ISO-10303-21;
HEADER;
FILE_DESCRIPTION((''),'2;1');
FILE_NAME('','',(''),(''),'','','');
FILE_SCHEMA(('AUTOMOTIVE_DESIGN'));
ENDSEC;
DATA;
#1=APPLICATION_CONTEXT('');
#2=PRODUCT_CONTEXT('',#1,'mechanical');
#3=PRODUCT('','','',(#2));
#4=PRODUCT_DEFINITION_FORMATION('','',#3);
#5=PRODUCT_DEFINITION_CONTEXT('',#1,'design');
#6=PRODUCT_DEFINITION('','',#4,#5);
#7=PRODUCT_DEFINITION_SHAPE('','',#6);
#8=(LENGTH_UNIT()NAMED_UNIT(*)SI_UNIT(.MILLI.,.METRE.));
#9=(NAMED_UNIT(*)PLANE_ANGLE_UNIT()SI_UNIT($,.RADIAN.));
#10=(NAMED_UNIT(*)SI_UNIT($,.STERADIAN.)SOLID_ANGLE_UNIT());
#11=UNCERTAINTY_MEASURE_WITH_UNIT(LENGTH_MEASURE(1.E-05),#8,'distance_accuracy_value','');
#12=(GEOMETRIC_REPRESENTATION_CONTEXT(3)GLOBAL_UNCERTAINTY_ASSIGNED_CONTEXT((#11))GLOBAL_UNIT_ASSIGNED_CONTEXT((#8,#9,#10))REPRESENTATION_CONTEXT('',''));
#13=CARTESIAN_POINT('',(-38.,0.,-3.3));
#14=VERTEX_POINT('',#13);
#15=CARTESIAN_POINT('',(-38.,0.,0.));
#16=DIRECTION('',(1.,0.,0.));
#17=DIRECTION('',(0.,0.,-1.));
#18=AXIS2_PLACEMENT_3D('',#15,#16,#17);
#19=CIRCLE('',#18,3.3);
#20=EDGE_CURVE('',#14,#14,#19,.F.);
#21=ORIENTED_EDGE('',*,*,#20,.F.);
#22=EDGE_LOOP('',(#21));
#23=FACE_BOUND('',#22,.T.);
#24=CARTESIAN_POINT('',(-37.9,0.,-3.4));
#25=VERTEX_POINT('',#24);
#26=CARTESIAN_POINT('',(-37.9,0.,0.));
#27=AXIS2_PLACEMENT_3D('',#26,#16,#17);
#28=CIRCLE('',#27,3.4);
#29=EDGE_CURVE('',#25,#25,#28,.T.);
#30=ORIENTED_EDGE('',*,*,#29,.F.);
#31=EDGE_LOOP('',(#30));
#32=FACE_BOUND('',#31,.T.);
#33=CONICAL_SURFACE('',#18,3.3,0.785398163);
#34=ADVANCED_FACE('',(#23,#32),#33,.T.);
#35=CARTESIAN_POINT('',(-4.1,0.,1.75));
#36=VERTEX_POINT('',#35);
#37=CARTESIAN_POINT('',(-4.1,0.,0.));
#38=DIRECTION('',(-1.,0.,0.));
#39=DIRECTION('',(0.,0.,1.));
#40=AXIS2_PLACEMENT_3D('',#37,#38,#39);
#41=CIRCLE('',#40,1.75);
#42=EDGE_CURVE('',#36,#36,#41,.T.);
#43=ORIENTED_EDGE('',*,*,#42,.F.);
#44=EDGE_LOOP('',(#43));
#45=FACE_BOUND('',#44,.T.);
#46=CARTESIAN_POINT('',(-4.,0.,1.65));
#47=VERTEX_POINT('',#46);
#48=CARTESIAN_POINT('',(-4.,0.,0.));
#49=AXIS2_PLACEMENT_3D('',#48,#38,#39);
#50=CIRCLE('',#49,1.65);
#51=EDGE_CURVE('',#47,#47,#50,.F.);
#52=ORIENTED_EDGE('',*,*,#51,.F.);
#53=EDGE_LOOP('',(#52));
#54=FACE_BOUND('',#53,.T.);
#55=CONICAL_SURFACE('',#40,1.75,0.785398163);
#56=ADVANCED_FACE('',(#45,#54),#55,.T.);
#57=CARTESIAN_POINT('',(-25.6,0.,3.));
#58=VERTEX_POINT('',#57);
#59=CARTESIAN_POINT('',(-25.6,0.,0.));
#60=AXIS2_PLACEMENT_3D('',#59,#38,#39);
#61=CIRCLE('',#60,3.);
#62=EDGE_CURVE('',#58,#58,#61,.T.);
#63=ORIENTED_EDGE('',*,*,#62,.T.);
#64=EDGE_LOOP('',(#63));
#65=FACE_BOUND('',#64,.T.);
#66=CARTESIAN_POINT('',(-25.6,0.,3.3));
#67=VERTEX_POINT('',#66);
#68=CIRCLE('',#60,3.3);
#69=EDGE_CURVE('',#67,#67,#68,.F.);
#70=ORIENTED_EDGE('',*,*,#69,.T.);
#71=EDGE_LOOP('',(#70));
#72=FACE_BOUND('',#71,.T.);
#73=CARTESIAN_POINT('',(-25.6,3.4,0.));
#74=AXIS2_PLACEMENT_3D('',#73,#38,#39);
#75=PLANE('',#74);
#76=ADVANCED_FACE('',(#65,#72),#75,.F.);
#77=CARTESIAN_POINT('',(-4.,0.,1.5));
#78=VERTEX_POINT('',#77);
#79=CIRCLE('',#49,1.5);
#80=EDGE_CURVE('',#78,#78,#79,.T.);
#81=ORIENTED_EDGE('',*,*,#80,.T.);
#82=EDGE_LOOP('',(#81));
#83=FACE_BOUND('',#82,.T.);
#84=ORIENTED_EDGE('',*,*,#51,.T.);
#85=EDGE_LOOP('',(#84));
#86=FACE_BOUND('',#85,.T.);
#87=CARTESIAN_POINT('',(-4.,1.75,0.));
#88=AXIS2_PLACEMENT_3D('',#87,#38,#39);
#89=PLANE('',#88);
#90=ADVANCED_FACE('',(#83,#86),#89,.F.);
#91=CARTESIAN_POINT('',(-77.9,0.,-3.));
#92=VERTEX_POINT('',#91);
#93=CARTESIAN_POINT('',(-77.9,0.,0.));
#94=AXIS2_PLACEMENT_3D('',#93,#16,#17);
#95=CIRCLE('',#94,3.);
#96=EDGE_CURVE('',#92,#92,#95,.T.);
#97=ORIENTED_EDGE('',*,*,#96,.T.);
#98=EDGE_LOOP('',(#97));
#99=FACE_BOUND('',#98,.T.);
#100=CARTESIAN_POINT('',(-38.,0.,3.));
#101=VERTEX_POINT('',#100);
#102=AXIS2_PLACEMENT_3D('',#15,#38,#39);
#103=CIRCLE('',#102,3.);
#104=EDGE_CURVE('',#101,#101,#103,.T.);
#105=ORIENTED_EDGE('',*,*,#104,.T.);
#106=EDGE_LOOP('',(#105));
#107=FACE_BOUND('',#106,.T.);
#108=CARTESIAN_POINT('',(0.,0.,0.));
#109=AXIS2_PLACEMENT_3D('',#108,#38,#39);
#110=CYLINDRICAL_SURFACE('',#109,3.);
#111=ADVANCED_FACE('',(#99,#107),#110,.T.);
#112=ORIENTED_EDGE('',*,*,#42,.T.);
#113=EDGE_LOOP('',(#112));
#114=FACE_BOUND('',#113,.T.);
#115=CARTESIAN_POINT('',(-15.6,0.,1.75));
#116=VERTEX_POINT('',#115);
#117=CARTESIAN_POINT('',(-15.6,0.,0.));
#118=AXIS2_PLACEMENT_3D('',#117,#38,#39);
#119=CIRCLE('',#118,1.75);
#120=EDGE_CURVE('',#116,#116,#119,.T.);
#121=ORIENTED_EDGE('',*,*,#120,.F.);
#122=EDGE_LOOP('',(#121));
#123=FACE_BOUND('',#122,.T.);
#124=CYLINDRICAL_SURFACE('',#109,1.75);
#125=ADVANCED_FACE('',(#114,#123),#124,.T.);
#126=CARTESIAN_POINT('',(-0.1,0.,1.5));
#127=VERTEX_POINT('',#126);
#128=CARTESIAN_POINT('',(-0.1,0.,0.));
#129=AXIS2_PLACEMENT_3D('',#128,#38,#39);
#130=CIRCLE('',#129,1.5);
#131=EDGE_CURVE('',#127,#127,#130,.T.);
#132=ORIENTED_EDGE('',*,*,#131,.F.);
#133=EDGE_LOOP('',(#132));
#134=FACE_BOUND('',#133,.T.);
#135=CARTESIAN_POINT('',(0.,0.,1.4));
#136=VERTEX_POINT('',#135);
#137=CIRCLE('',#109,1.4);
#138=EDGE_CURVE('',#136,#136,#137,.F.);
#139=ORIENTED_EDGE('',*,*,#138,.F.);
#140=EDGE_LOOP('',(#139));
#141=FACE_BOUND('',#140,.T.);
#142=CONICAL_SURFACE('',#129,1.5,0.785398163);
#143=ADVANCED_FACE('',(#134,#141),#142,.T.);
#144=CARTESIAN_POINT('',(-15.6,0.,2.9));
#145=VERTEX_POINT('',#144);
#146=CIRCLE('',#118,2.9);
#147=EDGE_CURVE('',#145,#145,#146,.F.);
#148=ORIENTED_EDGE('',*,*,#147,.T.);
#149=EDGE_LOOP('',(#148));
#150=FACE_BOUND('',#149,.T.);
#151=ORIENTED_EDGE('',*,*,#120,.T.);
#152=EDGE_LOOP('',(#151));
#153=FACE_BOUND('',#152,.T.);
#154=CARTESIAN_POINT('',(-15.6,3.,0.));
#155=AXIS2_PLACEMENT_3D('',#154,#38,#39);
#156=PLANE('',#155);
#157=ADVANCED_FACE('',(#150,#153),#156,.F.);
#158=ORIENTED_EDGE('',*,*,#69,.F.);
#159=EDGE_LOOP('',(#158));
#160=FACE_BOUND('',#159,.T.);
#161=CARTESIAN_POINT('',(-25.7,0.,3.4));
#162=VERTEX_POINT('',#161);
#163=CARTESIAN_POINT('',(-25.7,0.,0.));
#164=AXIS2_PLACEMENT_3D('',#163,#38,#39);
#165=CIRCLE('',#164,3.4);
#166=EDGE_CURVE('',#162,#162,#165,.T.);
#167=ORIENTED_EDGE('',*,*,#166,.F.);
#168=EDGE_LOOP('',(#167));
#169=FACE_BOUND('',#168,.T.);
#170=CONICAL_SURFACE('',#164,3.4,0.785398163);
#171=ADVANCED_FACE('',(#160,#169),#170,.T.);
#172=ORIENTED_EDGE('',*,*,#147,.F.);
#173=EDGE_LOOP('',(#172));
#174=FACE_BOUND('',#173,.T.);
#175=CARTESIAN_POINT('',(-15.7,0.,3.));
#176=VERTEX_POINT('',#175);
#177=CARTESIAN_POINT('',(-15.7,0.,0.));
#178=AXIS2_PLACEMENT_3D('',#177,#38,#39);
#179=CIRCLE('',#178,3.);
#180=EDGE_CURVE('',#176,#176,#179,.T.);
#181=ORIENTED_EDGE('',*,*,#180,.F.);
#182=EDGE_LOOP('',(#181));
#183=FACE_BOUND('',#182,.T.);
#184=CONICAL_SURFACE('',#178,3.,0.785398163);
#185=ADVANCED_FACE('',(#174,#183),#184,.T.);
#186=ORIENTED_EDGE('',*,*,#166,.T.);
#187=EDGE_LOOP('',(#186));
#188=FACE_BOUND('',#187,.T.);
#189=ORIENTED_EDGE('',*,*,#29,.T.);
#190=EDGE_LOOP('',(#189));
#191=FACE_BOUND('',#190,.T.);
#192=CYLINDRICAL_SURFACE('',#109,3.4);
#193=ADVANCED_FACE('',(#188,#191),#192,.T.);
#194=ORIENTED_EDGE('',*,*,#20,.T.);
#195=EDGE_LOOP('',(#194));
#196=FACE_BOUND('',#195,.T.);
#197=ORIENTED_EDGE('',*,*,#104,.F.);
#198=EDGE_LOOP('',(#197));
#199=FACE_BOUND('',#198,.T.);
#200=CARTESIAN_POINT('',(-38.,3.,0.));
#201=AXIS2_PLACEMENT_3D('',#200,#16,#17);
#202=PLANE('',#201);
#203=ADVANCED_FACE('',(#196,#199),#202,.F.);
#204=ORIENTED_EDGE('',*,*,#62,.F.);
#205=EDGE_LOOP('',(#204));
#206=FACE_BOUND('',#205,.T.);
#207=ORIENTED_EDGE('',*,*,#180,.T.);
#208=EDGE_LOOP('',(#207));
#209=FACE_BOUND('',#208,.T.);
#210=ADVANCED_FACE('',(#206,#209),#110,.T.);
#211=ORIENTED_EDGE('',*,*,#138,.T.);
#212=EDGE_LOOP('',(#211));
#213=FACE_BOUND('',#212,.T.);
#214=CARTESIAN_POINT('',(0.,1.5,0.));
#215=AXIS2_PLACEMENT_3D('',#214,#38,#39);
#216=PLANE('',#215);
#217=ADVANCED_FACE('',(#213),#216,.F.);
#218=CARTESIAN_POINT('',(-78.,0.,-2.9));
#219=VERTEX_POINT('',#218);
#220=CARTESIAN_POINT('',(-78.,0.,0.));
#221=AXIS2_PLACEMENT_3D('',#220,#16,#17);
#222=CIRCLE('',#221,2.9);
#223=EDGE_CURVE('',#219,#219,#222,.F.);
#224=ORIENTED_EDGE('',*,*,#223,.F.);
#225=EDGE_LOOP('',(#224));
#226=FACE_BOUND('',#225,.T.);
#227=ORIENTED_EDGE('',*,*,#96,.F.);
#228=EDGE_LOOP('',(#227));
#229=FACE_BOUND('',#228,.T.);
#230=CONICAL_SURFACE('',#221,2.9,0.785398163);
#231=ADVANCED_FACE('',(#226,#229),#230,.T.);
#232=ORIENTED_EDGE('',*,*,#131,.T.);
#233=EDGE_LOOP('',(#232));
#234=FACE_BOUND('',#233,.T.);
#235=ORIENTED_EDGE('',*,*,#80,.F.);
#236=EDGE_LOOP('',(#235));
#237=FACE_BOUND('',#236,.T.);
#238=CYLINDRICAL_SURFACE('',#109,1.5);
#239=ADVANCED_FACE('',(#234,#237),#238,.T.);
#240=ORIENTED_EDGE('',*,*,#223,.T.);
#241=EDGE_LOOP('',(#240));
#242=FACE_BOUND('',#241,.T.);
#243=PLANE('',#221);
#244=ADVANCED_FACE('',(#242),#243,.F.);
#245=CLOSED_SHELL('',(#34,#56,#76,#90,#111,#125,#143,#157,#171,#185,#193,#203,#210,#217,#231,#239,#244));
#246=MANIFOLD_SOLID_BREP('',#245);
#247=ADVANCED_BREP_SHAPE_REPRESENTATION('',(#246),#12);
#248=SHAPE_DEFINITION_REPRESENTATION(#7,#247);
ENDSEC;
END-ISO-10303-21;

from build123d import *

# Parameters (mm, degrees)
CHAMFER1_SIZE = 0.1


with BuildPart() as part:
    # Sketch1 → Revolve1 (revolve)
    with BuildSketch(Plane.XY, mode=Mode.PRIVATE) as revolve1_sk:
        Polygon((-25.6, 3), (-15.6, 3), (-15.6, 1.75), (-4, 1.75), (-4, 1.5), (0, 1.5), (0, 0), (-78, 0), (-78, 3), (-38, 3), (-38, 3.4), (-25.6, 3.4), align=None)
    revolve(revolve1_sk.sketch.rotate(Axis((0, 0, 0), (1, 0, 0)), 90), axis=Axis((0, 0, 0), (1, 0, 0)))

    # Chamfer1
    chamfer1_edges = [part.edges().sort_by_distance(p)[0] for p in [
        (-4, 0, -1.75),
        (-15.6, 0, -3),
        (-25.6, 0, -3.4),
        (-38, 0, -3.4),
        (-78, 0, -3),
        (0, 0, -1.5),
    ]]
    chamfer(chamfer1_edges, length=CHAMFER1_SIZE)


solid = part.part
